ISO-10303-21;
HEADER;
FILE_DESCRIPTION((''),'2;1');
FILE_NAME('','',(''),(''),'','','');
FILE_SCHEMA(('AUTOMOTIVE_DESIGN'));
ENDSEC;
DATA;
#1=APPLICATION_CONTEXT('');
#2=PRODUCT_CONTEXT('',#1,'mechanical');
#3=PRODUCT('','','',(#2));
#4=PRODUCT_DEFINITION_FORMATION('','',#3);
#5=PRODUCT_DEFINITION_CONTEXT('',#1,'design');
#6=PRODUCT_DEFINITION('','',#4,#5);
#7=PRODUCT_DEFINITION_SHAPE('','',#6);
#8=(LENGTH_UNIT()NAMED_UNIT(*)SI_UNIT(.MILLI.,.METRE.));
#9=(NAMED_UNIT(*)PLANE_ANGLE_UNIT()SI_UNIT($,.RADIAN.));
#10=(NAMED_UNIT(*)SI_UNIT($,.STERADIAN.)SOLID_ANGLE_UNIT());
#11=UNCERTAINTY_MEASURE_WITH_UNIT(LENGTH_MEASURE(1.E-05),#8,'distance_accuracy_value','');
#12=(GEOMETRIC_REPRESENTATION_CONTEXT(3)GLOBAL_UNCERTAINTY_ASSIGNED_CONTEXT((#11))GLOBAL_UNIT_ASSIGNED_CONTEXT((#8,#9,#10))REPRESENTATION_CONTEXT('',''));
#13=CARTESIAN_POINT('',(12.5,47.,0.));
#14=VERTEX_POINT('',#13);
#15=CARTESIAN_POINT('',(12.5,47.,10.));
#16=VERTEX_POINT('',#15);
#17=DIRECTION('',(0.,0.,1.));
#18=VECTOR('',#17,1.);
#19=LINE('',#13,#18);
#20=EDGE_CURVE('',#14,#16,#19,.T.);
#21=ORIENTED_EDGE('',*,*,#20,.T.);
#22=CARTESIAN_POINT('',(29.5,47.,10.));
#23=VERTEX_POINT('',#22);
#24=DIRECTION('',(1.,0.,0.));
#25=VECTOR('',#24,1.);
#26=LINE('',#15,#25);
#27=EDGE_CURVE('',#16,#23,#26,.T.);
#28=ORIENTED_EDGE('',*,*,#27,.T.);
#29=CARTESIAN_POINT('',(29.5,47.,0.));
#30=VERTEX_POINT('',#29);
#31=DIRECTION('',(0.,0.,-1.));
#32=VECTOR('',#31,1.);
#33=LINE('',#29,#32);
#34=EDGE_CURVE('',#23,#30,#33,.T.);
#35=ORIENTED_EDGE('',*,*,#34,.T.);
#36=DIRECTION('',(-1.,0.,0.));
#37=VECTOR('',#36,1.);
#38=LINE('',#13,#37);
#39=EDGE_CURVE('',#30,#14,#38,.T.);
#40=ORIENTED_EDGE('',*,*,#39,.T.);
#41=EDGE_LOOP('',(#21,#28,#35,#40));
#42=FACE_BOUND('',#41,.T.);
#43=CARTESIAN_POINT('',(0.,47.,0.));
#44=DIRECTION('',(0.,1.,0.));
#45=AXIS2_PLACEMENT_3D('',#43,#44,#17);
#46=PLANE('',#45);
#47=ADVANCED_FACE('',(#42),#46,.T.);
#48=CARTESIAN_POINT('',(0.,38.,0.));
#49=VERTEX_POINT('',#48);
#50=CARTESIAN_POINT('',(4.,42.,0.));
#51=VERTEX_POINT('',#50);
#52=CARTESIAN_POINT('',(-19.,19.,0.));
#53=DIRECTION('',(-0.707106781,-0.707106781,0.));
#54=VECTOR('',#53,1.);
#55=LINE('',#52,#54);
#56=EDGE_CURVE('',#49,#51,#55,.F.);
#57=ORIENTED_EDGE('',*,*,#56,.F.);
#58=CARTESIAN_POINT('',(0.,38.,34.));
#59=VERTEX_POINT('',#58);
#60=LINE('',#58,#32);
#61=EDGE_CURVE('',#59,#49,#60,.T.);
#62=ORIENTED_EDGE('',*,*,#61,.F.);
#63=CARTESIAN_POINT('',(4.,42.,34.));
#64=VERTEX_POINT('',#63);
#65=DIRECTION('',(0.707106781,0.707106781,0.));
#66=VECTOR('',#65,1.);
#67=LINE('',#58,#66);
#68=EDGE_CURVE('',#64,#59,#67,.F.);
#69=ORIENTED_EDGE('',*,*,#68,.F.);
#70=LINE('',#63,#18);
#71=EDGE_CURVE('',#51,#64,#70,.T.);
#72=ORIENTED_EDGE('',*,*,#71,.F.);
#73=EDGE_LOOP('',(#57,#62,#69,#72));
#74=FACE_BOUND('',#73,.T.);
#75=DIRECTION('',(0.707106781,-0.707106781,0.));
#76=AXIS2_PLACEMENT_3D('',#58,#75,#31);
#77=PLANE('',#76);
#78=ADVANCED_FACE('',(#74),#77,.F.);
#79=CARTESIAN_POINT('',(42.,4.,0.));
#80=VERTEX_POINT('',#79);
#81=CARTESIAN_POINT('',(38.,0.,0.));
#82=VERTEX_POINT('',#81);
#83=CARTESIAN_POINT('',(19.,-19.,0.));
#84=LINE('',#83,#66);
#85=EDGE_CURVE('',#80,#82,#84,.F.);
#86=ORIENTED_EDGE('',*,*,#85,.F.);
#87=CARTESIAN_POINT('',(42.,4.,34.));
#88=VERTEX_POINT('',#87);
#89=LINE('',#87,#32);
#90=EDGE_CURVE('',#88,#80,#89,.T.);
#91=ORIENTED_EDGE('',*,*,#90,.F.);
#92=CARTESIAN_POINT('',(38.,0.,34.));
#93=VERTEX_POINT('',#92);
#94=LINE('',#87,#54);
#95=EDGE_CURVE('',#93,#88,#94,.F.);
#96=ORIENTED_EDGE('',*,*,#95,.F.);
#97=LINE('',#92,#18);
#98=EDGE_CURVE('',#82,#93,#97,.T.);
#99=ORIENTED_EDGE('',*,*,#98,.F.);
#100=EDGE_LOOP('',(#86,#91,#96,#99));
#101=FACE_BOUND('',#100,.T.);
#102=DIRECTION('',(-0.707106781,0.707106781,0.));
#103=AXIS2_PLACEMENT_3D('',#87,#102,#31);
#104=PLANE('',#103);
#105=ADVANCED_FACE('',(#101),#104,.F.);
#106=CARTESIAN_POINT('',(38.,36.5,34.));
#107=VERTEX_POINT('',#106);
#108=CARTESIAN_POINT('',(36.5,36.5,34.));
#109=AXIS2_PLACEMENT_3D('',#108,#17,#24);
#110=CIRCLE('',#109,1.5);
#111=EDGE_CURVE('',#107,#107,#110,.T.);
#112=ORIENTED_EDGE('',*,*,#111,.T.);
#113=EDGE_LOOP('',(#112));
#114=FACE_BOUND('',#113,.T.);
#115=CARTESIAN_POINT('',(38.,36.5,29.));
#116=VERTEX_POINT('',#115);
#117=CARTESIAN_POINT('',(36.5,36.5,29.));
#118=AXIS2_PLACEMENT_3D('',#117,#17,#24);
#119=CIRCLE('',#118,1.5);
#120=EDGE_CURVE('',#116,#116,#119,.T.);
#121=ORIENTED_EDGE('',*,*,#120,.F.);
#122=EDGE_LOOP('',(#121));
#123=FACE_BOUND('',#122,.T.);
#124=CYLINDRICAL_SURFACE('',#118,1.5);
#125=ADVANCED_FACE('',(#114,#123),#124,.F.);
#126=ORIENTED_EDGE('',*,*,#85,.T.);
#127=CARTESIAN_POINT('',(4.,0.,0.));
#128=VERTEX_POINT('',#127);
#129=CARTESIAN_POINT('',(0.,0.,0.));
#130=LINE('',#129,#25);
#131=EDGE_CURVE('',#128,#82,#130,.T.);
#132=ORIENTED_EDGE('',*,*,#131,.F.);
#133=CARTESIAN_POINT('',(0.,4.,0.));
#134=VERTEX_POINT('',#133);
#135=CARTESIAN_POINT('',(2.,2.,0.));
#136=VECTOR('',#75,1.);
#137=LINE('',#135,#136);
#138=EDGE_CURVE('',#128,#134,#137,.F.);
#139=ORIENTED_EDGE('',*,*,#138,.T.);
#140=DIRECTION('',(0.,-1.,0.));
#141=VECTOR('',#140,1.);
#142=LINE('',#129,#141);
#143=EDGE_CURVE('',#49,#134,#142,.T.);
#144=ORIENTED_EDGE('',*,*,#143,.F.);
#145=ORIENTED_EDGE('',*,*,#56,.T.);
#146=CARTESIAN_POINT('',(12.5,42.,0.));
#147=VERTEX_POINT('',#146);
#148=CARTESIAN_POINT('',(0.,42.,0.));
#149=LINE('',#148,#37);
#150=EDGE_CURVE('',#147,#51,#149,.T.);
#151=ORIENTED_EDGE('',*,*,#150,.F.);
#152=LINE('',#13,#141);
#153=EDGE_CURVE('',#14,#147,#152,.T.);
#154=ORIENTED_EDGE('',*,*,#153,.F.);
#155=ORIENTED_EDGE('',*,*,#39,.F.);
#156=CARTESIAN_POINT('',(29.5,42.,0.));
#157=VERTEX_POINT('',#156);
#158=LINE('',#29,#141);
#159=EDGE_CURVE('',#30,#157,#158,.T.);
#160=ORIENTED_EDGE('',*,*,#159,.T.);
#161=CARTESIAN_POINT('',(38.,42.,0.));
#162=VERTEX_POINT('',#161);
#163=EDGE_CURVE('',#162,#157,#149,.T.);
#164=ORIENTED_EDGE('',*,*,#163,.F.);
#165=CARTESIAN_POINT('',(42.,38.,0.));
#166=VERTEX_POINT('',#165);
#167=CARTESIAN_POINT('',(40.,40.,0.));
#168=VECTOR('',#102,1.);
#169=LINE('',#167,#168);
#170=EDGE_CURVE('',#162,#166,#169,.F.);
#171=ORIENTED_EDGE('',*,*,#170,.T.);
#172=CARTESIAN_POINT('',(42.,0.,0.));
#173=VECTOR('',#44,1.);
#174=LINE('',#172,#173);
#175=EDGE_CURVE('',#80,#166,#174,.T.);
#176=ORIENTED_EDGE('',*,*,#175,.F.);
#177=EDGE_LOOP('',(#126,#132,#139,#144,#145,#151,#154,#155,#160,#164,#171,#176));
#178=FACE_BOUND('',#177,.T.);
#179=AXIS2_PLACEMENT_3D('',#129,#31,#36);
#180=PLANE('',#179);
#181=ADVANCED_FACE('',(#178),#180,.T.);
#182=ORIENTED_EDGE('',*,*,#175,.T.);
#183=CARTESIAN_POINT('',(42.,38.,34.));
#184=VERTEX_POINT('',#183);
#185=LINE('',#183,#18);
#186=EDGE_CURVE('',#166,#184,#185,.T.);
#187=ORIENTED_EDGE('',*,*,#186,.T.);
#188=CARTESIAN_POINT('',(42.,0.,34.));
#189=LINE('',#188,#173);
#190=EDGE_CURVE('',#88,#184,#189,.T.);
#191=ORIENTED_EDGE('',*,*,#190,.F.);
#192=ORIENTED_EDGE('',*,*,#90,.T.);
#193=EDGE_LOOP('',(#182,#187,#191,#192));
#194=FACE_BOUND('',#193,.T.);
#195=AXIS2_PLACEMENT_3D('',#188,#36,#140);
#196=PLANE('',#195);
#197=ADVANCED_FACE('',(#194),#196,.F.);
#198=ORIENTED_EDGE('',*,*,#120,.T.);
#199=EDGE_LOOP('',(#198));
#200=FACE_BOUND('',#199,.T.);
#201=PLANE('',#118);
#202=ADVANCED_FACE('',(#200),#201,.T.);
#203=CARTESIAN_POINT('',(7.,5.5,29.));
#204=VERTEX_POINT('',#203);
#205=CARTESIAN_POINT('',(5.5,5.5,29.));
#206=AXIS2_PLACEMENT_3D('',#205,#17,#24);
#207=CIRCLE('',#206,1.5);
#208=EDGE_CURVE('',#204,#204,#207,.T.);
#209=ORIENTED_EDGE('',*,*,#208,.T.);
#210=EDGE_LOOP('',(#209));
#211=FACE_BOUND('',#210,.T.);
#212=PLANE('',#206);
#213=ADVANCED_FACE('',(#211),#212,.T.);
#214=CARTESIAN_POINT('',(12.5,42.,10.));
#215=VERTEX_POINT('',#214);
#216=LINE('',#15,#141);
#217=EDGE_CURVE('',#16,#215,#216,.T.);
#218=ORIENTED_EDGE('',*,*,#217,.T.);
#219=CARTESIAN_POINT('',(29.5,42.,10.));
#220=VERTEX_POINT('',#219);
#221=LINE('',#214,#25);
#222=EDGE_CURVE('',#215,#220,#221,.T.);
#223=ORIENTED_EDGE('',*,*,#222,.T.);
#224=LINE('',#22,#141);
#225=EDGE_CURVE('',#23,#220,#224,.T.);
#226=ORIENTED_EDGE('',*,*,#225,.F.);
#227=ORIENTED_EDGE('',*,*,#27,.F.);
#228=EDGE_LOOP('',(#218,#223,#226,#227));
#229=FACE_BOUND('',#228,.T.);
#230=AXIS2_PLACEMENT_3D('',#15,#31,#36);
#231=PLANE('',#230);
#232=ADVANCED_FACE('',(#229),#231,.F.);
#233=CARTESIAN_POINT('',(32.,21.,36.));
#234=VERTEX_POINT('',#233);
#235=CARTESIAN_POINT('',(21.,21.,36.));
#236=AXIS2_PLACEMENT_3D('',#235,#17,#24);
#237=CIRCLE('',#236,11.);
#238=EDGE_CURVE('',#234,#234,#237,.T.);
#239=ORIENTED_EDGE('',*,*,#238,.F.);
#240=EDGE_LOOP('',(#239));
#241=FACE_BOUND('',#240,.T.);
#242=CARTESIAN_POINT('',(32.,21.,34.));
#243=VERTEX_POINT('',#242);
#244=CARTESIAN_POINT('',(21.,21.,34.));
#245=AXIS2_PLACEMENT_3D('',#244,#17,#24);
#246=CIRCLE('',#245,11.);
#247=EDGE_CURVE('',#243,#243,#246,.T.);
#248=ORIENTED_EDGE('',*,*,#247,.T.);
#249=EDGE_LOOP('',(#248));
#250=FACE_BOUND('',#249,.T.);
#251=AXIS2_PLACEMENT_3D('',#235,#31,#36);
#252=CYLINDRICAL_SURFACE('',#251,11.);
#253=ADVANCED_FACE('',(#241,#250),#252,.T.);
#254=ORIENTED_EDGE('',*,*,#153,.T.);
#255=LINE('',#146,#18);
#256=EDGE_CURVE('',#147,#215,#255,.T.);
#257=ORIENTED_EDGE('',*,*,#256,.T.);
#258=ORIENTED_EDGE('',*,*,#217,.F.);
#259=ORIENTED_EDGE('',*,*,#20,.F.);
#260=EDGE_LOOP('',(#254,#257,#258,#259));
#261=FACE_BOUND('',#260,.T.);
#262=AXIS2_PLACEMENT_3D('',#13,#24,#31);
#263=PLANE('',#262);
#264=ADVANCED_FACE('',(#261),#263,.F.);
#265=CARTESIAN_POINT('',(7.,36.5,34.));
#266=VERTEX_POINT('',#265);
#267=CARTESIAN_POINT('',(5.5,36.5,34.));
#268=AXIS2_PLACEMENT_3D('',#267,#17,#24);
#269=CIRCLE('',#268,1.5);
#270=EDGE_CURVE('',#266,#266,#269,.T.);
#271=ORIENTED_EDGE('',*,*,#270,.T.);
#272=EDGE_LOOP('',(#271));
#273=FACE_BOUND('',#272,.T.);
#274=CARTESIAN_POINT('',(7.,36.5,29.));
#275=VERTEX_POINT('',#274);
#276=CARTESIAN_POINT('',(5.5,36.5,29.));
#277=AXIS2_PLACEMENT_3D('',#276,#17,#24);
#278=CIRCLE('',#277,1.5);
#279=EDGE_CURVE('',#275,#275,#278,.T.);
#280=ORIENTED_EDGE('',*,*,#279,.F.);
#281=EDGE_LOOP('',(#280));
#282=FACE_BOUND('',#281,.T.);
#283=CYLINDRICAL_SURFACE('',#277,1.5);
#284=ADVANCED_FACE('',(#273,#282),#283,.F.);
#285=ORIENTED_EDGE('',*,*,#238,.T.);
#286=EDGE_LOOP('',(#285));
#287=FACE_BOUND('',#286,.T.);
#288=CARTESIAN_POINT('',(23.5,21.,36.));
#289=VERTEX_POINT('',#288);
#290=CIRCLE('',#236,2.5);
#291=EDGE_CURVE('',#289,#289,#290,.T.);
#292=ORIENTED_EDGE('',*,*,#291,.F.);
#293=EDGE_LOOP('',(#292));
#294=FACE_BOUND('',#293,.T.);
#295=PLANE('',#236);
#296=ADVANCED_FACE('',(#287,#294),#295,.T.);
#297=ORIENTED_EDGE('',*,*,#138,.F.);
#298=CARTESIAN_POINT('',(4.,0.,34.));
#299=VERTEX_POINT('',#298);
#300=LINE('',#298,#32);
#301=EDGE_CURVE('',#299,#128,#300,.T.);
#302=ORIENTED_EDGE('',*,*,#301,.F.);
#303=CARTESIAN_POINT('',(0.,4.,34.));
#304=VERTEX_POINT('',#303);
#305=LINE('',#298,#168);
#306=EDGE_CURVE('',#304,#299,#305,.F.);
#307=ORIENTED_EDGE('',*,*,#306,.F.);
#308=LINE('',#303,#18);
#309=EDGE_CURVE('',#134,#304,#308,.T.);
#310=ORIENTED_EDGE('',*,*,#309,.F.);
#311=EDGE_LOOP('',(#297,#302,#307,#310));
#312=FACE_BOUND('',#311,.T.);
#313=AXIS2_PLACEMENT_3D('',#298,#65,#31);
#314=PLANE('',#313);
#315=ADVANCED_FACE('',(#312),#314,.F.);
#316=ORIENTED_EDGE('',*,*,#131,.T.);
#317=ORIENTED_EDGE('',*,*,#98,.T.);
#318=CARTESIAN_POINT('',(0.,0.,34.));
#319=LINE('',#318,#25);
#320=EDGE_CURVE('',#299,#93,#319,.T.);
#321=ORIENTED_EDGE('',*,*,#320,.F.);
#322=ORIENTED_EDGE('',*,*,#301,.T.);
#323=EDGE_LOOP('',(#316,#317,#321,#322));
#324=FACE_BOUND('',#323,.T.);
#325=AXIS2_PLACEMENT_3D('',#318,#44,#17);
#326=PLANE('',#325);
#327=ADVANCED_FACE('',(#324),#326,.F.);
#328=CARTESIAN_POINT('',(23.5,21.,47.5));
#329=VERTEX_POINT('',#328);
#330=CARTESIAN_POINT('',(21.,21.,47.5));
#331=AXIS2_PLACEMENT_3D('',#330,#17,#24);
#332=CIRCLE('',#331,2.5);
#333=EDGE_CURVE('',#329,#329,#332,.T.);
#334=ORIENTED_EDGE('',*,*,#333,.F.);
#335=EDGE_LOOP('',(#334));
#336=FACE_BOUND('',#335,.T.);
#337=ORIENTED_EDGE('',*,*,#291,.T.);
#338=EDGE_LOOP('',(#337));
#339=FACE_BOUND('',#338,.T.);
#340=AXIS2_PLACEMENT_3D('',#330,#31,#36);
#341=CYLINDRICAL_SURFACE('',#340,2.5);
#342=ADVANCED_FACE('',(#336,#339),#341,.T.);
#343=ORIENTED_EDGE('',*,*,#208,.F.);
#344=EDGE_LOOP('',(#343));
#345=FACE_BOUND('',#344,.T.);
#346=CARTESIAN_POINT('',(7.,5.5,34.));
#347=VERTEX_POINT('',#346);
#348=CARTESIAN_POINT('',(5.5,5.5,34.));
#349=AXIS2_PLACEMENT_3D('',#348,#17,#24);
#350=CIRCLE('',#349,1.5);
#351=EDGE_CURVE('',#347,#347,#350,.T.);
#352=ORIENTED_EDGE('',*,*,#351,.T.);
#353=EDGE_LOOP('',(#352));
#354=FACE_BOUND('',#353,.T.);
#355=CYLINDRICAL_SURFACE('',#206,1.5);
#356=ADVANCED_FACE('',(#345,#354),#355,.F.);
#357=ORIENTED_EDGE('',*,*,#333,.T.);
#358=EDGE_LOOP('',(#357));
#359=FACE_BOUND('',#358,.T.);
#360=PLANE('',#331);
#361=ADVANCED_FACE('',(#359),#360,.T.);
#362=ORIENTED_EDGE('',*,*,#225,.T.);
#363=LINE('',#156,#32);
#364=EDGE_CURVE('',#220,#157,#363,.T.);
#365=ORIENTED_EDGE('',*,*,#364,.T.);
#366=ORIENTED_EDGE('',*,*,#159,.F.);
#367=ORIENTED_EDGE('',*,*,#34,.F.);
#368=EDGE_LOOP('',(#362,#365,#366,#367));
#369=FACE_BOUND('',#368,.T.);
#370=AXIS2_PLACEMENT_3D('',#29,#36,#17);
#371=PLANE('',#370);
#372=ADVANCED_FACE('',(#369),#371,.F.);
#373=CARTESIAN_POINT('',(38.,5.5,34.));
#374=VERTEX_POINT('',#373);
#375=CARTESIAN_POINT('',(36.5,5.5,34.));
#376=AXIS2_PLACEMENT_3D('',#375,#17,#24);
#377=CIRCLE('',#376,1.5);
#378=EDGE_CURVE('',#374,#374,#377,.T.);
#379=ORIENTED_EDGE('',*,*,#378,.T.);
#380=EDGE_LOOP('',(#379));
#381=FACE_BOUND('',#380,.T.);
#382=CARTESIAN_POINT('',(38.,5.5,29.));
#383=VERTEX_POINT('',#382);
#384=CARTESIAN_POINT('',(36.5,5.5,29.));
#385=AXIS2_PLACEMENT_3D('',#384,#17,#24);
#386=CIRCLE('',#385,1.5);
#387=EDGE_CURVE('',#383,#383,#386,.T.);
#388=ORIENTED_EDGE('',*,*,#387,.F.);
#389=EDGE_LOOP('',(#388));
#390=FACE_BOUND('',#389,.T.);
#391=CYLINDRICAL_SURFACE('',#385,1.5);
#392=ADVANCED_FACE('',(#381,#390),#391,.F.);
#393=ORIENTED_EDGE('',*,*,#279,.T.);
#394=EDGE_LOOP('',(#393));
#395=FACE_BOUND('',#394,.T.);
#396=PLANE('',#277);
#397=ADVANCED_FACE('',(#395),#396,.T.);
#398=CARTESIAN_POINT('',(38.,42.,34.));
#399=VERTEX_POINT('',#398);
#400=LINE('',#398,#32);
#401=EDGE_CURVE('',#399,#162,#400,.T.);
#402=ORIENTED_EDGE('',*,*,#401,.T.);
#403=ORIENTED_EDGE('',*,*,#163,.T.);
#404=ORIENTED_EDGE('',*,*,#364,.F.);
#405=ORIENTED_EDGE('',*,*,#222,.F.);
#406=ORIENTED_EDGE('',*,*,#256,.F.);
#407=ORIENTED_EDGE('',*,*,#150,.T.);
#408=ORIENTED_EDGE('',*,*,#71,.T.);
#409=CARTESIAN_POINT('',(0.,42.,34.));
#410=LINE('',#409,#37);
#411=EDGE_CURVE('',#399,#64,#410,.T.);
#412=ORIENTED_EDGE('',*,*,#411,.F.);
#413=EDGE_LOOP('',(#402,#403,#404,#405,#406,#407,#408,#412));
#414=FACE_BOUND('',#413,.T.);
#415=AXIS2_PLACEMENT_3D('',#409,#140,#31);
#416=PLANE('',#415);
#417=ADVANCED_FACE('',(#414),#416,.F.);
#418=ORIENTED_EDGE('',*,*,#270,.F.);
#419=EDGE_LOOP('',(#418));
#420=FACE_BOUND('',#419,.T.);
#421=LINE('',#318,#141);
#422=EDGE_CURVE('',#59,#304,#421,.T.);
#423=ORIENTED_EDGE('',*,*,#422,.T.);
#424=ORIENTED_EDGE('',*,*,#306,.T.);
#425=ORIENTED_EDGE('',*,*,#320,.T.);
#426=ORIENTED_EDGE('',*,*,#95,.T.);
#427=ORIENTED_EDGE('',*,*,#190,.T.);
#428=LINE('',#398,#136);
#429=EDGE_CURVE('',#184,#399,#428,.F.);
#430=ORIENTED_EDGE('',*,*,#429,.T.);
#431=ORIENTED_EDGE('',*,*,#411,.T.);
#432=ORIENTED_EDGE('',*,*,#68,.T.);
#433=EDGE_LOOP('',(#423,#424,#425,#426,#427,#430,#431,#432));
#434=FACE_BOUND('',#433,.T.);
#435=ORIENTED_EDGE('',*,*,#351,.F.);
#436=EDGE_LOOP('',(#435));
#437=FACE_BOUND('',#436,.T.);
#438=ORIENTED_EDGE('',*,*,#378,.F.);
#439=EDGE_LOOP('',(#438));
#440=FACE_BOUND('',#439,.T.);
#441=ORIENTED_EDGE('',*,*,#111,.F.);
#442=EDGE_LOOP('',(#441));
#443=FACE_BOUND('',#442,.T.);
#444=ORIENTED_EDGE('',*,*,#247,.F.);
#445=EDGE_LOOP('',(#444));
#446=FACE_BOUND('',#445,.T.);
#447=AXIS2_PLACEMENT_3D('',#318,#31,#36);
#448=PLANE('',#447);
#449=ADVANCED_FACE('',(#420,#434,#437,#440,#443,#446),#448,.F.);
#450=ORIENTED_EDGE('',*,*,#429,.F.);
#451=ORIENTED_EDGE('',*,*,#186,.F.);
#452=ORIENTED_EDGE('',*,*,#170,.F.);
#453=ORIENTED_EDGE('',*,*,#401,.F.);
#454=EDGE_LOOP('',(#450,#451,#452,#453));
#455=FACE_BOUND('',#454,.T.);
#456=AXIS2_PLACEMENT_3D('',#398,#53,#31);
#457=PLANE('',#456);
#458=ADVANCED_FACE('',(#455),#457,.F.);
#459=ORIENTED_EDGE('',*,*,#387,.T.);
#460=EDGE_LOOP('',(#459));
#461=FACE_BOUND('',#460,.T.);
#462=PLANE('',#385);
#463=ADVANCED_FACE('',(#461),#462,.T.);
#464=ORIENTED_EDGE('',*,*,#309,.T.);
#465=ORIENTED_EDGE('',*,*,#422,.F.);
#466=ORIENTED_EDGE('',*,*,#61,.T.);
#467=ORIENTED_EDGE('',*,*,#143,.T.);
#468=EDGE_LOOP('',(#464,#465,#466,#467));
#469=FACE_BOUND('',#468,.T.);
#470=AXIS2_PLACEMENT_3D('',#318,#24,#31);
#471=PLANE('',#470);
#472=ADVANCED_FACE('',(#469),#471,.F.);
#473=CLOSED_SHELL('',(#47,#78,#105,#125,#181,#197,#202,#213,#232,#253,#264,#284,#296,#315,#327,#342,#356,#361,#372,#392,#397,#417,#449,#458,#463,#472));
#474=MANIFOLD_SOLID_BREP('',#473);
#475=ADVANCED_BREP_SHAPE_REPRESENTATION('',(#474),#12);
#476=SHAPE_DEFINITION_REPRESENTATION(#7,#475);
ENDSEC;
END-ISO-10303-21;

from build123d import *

# Parameters (mm, degrees)
ESQUISSE1_W             = 42
ESQUISSE1_H             = 42
BOSS_EXTRU_1_DEPTH      = 34
ESQUISSE2_R             = 11
BOSS_EXTRU_2_DEPTH      = 2
ESQUISSE3_R             = 2.5
BOSS_EXTRU_3_DEPTH      = 11.5
CHANFREIN1_SIZE         = 4
ESQUISSE4_W             = 17
ESQUISSE4_H             = 10
BOSS_EXTRU_4_DEPTH      = 5
ESQUISSE5_R             = 1.5
ENL_V_MAT_EXTRU_1_DEPTH = 5


with BuildPart() as part:
    # Esquisse1 → Boss.-Extru.1 (new body)
    with BuildSketch(Plane.XY):
        with Locations((21, 21)):
            Rectangle(ESQUISSE1_W, ESQUISSE1_H)
    extrude(amount=BOSS_EXTRU_1_DEPTH)

    # Esquisse2 → Boss.-Extru.2 (add)
    with BuildSketch(Plane.XY.offset(34)):
        with Locations((21, 21)):
            Circle(ESQUISSE2_R)
    extrude(amount=BOSS_EXTRU_2_DEPTH)

    # Esquisse3 → Boss.-Extru.3 (add)
    with BuildSketch(Plane.XY.offset(36)):
        with Locations((21, 21)):
            Circle(ESQUISSE3_R)
    extrude(amount=BOSS_EXTRU_3_DEPTH)

    # Chanfrein1
    chanfrein1_edges = [part.edges().sort_by_distance(p)[0] for p in [
        (0, 42, 17),
        (42, 42, 17),
        (42, 0, 17),
        (0, 0, 17),
    ]]
    chamfer(chanfrein1_edges, length=CHANFREIN1_SIZE)

    # Esquisse4 → Boss.-Extru.4 (add)
    with BuildSketch(Plane(origin=(0, 42, 0), x_dir=(1, 0, 0), z_dir=(0, 1, 0))):
        with Locations((21, -5)):
            Rectangle(ESQUISSE4_W, ESQUISSE4_H)
    extrude(amount=BOSS_EXTRU_4_DEPTH)

    # Esquisse5 → Enlèv. mat.-Extru.1 (cut)
    with BuildSketch(Plane.XY.offset(34)):
        with Locations((5.5, 36.5)):
            Circle(ESQUISSE5_R)
        with Locations((36.5, 36.5)):
            Circle(ESQUISSE5_R)
        with Locations((36.5, 5.5)):
            Circle(ESQUISSE5_R)
        with Locations((5.5, 5.5)):
            Circle(ESQUISSE5_R)
    extrude(amount=-ENL_V_MAT_EXTRU_1_DEPTH, mode=Mode.SUBTRACT)


solid = part.part
